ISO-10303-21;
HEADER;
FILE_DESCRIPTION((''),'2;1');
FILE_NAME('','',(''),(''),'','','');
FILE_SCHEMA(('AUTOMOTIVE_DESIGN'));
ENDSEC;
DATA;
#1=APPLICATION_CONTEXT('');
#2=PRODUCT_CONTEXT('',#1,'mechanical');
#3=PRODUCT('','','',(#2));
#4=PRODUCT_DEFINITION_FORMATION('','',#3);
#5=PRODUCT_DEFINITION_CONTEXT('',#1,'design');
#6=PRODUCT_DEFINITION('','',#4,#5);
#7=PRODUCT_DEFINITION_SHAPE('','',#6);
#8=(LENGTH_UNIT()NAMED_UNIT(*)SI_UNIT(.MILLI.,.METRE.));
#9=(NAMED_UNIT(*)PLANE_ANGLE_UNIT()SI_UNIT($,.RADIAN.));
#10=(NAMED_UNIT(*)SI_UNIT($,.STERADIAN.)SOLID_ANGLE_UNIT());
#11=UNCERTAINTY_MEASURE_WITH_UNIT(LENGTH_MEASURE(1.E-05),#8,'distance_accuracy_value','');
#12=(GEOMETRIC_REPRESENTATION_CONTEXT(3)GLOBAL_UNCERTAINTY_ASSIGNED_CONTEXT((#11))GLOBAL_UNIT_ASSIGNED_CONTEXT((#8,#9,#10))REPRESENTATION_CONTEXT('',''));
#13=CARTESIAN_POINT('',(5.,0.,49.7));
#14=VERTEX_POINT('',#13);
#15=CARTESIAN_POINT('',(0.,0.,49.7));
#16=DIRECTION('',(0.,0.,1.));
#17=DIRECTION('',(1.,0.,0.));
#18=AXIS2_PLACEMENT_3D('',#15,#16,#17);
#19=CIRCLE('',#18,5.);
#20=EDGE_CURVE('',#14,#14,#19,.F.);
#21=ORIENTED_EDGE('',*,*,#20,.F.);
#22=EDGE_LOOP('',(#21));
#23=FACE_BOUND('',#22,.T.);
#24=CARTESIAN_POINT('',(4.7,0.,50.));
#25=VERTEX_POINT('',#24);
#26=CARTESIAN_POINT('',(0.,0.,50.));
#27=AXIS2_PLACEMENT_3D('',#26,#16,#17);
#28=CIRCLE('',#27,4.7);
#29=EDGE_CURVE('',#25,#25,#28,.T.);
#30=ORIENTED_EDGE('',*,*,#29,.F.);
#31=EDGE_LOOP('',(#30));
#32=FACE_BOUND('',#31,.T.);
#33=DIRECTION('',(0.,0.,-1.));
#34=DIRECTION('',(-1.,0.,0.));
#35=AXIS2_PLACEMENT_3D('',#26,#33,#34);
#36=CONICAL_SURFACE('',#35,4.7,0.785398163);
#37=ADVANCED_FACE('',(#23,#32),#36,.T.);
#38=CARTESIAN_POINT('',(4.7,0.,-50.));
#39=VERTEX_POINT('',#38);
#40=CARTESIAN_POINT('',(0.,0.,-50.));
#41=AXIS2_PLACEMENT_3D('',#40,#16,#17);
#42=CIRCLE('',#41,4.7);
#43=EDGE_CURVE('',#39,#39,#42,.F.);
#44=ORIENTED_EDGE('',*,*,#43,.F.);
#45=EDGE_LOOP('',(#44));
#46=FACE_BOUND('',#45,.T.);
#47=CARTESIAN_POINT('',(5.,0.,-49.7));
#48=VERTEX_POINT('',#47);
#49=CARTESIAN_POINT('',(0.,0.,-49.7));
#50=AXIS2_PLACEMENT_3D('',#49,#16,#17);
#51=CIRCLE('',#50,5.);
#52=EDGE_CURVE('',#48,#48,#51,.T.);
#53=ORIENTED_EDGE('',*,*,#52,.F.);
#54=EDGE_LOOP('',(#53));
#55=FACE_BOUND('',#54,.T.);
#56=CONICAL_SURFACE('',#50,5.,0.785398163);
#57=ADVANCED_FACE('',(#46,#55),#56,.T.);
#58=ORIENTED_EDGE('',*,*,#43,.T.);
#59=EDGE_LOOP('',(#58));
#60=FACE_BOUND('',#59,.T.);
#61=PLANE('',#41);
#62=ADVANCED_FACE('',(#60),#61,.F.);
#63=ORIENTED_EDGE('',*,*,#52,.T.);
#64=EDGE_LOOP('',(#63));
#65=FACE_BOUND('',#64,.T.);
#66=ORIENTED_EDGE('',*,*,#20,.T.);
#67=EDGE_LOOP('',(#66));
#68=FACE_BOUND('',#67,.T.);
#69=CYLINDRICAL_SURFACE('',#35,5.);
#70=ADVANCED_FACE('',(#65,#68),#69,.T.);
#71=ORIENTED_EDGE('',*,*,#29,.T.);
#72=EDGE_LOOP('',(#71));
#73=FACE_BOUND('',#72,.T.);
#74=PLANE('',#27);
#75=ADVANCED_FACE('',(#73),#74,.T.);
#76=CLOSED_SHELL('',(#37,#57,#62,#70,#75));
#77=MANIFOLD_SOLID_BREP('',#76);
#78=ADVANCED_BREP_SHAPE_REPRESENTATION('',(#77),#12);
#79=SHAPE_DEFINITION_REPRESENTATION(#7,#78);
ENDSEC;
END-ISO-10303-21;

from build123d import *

# Parameters (mm, degrees)
SKETCH1_R           = 5
BOSS_EXTRUDE1_DEPTH = 50
CHAMFER1_SIZE       = 0.3


with BuildPart() as part:
    # Sketch1 → Boss-Extrude1 (new body, symmetric)
    with BuildSketch(Plane.XY):
        Circle(SKETCH1_R)
    extrude(amount=BOSS_EXTRUDE1_DEPTH, both=True)

    # Chamfer1
    chamfer1_edges = [part.edges().sort_by_distance(p)[0] for p in [
        (-5, 0, -50),
        (-5, 0, 50),
    ]]
    chamfer(chamfer1_edges, length=CHAMFER1_SIZE)


solid = part.part
